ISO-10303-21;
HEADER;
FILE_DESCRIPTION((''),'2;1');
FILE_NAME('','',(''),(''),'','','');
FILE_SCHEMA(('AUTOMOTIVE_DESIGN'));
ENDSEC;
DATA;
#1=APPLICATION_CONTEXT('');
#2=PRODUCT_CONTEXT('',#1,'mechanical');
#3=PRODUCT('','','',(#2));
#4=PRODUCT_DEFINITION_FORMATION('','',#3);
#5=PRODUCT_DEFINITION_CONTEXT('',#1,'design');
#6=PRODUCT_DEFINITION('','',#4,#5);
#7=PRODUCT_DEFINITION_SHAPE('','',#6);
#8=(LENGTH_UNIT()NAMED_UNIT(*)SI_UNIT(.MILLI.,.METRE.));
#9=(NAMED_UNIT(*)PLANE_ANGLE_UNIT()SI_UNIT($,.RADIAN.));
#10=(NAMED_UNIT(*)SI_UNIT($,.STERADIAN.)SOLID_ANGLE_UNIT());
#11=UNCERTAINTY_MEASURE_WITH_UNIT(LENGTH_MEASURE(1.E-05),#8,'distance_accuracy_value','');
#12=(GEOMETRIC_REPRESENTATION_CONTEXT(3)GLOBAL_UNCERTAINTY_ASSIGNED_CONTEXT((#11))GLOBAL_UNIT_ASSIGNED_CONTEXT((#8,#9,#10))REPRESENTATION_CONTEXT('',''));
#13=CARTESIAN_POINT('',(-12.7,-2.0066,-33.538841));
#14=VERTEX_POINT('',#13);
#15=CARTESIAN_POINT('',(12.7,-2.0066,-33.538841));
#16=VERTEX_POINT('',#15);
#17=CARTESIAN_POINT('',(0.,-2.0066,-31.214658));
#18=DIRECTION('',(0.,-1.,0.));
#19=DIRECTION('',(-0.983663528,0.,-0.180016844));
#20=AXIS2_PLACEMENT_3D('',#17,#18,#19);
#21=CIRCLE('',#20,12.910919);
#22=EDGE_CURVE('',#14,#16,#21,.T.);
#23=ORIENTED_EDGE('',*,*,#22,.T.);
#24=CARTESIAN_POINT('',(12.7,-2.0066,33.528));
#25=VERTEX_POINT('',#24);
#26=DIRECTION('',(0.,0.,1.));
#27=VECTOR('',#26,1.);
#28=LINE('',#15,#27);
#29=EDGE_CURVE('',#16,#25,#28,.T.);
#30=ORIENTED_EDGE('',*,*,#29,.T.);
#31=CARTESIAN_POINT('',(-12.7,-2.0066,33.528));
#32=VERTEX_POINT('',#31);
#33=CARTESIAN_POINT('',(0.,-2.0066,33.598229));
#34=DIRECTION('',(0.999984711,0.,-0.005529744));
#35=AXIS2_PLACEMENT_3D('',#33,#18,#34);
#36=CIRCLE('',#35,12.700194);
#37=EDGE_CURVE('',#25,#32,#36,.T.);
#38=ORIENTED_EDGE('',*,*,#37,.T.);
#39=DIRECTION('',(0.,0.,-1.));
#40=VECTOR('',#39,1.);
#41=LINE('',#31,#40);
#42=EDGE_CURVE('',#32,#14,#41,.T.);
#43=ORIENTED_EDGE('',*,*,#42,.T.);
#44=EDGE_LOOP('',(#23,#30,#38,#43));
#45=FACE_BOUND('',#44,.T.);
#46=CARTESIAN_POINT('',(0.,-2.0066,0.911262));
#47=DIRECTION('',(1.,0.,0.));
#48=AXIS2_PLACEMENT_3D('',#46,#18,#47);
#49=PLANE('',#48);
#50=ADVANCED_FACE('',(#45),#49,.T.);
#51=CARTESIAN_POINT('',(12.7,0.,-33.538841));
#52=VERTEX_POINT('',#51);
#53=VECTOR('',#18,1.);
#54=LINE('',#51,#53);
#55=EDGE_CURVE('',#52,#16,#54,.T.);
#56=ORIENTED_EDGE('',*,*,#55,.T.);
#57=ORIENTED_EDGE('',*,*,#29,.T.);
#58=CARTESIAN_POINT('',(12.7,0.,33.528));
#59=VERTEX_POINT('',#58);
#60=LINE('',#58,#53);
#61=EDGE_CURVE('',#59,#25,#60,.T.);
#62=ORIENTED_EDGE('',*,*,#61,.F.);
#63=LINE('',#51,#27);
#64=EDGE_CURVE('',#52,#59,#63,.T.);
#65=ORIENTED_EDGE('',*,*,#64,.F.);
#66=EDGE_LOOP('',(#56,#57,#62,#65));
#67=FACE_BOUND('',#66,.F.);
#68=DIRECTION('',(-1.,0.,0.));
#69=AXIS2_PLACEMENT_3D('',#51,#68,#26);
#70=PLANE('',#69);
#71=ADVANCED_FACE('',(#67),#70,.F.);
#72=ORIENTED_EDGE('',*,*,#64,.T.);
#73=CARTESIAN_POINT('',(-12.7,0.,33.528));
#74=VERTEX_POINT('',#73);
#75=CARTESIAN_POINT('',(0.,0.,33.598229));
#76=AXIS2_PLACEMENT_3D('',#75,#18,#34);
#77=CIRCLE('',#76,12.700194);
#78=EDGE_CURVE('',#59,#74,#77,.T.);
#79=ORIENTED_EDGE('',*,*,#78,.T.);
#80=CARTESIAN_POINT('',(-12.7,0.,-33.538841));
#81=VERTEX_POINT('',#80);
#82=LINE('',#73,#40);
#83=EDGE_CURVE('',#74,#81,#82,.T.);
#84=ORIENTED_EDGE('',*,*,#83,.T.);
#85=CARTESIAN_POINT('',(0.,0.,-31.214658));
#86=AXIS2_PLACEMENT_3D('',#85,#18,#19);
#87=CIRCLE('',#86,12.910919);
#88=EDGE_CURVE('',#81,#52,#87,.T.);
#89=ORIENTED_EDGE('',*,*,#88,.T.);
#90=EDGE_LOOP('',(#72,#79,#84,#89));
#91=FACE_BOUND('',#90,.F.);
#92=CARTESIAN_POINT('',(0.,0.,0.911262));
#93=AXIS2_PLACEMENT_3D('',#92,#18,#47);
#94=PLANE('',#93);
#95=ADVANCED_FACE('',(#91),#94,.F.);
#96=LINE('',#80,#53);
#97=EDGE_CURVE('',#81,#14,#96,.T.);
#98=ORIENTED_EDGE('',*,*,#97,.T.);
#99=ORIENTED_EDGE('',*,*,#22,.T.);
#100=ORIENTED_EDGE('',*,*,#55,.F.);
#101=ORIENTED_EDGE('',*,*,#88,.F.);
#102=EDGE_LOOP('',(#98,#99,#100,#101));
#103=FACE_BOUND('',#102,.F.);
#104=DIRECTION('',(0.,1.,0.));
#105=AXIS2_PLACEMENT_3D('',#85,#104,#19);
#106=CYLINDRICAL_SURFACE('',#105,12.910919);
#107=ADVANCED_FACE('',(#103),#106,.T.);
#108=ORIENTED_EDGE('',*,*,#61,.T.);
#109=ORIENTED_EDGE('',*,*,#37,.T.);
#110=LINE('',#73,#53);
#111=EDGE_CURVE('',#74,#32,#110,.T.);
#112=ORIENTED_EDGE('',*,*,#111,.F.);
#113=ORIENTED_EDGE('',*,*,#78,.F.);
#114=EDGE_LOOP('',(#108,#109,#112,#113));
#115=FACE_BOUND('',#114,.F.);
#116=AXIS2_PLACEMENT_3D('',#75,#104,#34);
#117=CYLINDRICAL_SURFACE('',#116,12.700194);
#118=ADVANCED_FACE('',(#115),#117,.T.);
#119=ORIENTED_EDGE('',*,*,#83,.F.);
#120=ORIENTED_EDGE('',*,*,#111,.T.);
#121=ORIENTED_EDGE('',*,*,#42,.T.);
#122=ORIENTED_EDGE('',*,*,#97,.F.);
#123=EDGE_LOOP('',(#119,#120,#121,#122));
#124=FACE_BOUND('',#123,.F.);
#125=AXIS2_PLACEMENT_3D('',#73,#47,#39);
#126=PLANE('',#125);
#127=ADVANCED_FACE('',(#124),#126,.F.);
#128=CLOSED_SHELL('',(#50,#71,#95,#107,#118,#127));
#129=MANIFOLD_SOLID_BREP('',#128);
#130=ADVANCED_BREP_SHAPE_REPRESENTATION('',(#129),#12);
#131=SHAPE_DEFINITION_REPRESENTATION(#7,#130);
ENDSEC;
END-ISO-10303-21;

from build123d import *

# Parameters (mm, degrees)
F1_DEPTH = 2.0066


with BuildPart() as f1:
    # F0 (on Front) → F1 (new body)
    with BuildSketch(Plane.XZ):
        with BuildLine():
            Line((-12.7, 33.528), (-12.7, 0))
            Line((-12.7, 0), (-12.7, -33.538841))
            ThreePointArc((-12.7, -33.538841), (0, -44.125577), (12.7, -33.538841))
            Line((12.7, -33.538841), (12.7, 0))
            Line((12.7, 0), (12.7, 33.528))
            ThreePointArc((12.7, 33.528), (0, 46.298423), (-12.7, 33.528))
        make_face()
    extrude(amount=F1_DEPTH)


solid = f1.part
